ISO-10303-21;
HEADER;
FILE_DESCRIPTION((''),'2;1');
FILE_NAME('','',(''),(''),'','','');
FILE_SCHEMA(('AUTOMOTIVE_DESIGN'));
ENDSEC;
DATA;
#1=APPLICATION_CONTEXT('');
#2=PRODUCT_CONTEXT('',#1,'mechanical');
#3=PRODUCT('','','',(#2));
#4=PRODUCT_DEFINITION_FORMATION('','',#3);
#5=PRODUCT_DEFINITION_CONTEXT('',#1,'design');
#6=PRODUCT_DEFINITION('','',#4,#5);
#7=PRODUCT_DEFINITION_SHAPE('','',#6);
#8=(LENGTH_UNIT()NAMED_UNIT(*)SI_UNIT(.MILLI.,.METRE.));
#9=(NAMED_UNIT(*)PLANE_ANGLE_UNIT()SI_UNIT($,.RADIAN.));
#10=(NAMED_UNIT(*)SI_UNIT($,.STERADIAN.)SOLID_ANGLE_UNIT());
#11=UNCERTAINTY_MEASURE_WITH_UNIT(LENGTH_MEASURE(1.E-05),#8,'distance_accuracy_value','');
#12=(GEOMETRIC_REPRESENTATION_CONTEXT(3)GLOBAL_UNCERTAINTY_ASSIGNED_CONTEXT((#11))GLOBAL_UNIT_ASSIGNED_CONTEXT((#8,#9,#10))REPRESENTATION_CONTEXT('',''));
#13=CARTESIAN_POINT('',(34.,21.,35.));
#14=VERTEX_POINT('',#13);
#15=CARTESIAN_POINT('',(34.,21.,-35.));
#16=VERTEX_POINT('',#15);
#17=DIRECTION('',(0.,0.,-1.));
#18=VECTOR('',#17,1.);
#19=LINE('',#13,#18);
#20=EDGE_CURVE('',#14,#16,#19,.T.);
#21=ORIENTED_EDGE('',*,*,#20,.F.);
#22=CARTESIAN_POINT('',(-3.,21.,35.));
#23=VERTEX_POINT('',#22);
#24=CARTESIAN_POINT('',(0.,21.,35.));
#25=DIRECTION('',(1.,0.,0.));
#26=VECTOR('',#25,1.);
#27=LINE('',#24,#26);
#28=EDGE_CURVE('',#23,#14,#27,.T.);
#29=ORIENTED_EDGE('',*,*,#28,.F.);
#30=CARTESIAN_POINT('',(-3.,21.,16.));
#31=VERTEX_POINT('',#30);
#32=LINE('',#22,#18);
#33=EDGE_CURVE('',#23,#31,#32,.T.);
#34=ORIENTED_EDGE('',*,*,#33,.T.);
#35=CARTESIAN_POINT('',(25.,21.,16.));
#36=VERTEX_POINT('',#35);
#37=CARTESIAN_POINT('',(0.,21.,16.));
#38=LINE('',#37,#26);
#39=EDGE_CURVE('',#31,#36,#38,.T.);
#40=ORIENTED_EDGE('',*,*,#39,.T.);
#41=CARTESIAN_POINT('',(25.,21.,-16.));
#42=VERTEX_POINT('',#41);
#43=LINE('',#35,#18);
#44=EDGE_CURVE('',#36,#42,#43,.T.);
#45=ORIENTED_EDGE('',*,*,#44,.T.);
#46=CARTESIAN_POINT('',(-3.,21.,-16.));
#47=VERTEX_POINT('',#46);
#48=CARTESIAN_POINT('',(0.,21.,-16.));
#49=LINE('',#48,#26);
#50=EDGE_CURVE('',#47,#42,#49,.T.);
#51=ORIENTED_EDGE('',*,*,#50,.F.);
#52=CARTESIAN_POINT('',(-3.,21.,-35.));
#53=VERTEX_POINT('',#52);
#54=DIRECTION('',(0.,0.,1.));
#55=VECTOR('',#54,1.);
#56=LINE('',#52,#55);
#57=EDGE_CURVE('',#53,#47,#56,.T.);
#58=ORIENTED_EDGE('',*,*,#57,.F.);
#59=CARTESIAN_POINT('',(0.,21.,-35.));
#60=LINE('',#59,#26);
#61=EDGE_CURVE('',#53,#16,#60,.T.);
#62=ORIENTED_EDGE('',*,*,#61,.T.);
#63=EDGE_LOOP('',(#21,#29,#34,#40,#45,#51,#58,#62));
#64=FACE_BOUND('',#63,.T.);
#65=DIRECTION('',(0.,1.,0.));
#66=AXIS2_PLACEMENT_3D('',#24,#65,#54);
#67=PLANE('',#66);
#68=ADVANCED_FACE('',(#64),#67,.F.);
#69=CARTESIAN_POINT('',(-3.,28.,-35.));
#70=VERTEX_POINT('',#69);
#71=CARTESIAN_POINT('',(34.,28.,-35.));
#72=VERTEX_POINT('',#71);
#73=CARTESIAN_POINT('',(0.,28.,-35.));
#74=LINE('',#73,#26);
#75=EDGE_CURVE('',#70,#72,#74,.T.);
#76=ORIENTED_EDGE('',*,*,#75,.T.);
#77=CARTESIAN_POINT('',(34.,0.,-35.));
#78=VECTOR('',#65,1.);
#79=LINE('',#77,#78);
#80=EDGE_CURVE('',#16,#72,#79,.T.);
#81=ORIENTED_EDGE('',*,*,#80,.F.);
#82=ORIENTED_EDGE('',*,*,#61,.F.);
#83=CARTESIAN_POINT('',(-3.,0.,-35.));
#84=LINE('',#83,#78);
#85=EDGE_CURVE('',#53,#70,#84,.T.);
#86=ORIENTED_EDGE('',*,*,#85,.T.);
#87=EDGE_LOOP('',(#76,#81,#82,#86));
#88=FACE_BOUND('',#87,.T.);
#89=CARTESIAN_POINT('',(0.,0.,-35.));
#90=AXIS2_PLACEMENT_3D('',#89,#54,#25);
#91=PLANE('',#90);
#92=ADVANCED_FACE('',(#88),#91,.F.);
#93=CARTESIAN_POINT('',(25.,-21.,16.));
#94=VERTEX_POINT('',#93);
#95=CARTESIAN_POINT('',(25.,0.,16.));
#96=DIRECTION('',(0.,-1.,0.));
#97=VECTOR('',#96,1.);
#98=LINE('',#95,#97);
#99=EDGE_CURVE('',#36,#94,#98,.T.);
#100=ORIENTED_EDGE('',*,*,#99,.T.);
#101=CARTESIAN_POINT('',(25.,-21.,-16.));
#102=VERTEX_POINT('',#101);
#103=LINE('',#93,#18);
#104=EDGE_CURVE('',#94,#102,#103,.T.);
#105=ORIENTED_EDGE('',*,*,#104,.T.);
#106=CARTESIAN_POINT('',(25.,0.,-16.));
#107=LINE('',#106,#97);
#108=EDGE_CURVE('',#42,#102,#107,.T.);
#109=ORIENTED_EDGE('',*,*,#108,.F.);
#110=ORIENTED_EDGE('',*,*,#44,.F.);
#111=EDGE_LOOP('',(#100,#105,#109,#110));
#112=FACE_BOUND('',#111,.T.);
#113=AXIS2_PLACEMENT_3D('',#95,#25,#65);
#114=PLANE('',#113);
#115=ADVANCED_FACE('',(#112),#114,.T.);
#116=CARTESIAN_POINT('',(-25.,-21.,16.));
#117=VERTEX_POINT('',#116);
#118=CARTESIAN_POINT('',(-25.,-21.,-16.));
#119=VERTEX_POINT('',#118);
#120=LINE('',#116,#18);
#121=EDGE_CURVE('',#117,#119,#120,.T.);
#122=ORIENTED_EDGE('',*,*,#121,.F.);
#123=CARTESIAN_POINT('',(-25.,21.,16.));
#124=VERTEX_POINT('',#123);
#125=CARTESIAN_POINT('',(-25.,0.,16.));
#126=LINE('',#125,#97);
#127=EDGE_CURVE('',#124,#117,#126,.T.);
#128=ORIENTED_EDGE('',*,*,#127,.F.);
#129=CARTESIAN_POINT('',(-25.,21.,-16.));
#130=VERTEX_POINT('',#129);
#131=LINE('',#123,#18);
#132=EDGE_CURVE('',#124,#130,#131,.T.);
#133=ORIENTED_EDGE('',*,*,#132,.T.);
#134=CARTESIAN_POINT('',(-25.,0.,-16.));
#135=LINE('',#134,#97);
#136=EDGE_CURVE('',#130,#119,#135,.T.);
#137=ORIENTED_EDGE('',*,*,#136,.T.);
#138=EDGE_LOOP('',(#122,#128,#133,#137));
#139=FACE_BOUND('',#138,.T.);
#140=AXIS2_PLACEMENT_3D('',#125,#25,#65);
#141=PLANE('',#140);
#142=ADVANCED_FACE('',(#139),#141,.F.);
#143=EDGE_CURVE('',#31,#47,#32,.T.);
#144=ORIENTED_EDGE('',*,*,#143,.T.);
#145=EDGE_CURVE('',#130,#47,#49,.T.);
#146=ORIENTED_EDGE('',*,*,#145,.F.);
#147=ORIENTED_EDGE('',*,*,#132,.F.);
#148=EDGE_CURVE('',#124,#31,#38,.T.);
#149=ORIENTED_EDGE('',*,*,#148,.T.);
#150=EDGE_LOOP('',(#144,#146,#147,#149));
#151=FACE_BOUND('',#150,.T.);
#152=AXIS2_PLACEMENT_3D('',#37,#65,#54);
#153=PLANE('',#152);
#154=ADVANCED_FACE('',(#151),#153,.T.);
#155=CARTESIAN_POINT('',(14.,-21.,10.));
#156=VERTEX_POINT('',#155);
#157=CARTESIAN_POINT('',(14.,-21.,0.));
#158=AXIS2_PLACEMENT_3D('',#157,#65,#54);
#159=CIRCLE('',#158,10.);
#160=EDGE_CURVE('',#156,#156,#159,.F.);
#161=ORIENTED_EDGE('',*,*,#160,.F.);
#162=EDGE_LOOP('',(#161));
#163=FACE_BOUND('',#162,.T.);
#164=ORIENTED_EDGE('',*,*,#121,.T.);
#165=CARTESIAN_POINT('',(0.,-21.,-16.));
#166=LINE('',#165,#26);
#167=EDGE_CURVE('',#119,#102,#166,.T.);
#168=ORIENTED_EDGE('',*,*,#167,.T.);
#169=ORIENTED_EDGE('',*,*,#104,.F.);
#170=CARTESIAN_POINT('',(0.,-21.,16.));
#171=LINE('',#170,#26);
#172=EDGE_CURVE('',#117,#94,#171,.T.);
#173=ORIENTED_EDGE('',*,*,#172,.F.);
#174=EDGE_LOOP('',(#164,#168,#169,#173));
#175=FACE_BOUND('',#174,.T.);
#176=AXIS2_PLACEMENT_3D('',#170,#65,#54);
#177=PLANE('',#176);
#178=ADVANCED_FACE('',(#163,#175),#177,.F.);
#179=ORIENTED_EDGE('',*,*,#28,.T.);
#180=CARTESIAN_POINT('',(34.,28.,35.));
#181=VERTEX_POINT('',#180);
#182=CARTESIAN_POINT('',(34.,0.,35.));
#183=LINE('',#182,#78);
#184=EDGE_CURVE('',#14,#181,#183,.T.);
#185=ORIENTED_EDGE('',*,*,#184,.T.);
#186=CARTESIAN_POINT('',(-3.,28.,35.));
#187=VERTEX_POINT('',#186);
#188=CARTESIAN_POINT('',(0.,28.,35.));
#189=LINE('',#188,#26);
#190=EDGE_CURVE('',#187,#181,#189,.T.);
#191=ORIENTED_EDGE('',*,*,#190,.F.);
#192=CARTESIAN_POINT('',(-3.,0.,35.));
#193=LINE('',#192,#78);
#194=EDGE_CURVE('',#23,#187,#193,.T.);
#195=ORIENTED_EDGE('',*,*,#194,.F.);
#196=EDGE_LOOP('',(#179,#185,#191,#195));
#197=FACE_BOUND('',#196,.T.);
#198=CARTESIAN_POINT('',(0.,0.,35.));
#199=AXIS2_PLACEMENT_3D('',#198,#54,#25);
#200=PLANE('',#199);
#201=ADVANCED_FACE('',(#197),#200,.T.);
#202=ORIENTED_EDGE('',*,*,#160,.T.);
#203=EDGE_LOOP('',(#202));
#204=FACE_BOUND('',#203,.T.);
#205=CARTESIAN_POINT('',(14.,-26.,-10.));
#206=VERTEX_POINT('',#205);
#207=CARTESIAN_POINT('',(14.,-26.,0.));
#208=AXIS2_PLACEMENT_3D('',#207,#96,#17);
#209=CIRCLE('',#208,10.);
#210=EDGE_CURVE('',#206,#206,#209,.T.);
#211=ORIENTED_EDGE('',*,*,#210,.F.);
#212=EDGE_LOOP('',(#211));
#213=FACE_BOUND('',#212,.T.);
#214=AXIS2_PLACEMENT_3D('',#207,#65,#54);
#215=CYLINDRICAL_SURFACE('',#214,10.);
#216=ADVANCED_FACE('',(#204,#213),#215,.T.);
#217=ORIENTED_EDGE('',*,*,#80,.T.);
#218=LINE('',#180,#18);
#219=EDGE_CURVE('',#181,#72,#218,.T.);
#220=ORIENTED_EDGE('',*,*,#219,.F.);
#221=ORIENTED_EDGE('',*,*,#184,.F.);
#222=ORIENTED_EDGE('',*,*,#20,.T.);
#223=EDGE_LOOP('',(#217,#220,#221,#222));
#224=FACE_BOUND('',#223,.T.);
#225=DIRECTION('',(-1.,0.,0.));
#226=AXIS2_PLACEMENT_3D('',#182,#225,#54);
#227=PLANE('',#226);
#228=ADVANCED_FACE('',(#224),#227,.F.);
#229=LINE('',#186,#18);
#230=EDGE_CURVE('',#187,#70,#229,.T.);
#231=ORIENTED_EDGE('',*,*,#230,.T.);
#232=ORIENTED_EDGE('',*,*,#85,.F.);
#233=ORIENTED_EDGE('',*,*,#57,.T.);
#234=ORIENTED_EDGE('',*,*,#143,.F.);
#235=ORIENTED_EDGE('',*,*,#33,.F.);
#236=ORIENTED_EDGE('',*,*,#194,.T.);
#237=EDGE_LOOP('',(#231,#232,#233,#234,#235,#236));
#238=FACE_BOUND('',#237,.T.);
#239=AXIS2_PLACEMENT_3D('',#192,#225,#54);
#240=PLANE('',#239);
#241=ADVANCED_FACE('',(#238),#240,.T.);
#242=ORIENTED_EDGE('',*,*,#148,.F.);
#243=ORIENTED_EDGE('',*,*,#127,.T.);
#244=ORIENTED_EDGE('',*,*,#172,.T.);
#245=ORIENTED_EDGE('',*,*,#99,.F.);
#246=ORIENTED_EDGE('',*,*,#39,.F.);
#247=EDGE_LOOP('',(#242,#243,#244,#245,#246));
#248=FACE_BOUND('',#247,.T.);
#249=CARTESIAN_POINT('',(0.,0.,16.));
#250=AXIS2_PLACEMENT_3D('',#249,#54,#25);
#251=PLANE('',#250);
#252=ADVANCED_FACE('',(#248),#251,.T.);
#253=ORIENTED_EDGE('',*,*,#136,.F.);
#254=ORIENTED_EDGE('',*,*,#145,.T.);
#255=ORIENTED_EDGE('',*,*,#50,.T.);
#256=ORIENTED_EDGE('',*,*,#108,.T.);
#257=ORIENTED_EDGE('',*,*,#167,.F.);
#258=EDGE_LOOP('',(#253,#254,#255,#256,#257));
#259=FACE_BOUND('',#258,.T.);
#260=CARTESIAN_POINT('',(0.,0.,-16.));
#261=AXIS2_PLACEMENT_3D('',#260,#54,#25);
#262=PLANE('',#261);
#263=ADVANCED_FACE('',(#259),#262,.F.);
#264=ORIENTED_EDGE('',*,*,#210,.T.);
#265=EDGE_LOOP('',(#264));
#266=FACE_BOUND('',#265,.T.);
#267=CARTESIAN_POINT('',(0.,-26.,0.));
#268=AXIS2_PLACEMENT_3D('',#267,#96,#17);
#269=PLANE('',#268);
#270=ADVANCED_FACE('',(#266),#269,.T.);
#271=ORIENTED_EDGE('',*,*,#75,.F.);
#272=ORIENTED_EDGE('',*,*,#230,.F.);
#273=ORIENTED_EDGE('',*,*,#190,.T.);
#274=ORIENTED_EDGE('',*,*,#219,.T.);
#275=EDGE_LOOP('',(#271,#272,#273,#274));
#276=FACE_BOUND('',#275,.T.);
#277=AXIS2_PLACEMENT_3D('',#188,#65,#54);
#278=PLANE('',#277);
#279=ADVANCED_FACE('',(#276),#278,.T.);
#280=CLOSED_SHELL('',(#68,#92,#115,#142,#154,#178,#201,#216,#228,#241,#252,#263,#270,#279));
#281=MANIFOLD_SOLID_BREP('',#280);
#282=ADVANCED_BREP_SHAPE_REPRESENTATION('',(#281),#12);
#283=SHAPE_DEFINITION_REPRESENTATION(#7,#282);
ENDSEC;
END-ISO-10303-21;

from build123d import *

# Parameters (mm, degrees)
BOSS_EXTRUDE1_DEPTH = 16
BOSS_EXTRUDE2_DEPTH = 16
BOSS_EXTRUDE3_DEPTH = 35
BOSS_EXTRUDE4_DEPTH = 35
SKETCH3_R           = 10
BOSS_EXTRUDE5_DEPTH = 5


with BuildPart() as part:
    # Sketch1 → Boss-Extrude1 (new body)
    with BuildSketch(Plane.XY):
        Polygon((-3, 21), (-25, 21), (-25, -21), (25, -21), (25, 21), align=None)
    extrude(amount=BOSS_EXTRUDE1_DEPTH)

    # Sketch1<3> → Boss-Extrude2 (add)
    with BuildSketch(Plane.XY):
        Polygon((-3, 21), (-25, 21), (-25, -21), (25, -21), (25, 21), align=None)
    extrude(amount=-BOSS_EXTRUDE2_DEPTH)

    # Sketch1<4> → Boss-Extrude3 (add)
    with BuildSketch(Plane.XY):
        Polygon((-3, 28), (-3, 21), (25, 21), (34, 21), (34, 28), align=None)
    extrude(amount=BOSS_EXTRUDE3_DEPTH)

    # Sketch1<5> → Boss-Extrude4 (add)
    with BuildSketch(Plane.XY):
        Polygon((-3, 28), (-3, 21), (25, 21), (34, 21), (34, 28), align=None)
    extrude(amount=-BOSS_EXTRUDE4_DEPTH)

    # Sketch3 → Boss-Extrude5 (add)
    with BuildSketch(Plane.XZ.offset(21)):
        with Locations((14, 0)):
            Circle(SKETCH3_R)
    extrude(amount=BOSS_EXTRUDE5_DEPTH)


solid = part.part
